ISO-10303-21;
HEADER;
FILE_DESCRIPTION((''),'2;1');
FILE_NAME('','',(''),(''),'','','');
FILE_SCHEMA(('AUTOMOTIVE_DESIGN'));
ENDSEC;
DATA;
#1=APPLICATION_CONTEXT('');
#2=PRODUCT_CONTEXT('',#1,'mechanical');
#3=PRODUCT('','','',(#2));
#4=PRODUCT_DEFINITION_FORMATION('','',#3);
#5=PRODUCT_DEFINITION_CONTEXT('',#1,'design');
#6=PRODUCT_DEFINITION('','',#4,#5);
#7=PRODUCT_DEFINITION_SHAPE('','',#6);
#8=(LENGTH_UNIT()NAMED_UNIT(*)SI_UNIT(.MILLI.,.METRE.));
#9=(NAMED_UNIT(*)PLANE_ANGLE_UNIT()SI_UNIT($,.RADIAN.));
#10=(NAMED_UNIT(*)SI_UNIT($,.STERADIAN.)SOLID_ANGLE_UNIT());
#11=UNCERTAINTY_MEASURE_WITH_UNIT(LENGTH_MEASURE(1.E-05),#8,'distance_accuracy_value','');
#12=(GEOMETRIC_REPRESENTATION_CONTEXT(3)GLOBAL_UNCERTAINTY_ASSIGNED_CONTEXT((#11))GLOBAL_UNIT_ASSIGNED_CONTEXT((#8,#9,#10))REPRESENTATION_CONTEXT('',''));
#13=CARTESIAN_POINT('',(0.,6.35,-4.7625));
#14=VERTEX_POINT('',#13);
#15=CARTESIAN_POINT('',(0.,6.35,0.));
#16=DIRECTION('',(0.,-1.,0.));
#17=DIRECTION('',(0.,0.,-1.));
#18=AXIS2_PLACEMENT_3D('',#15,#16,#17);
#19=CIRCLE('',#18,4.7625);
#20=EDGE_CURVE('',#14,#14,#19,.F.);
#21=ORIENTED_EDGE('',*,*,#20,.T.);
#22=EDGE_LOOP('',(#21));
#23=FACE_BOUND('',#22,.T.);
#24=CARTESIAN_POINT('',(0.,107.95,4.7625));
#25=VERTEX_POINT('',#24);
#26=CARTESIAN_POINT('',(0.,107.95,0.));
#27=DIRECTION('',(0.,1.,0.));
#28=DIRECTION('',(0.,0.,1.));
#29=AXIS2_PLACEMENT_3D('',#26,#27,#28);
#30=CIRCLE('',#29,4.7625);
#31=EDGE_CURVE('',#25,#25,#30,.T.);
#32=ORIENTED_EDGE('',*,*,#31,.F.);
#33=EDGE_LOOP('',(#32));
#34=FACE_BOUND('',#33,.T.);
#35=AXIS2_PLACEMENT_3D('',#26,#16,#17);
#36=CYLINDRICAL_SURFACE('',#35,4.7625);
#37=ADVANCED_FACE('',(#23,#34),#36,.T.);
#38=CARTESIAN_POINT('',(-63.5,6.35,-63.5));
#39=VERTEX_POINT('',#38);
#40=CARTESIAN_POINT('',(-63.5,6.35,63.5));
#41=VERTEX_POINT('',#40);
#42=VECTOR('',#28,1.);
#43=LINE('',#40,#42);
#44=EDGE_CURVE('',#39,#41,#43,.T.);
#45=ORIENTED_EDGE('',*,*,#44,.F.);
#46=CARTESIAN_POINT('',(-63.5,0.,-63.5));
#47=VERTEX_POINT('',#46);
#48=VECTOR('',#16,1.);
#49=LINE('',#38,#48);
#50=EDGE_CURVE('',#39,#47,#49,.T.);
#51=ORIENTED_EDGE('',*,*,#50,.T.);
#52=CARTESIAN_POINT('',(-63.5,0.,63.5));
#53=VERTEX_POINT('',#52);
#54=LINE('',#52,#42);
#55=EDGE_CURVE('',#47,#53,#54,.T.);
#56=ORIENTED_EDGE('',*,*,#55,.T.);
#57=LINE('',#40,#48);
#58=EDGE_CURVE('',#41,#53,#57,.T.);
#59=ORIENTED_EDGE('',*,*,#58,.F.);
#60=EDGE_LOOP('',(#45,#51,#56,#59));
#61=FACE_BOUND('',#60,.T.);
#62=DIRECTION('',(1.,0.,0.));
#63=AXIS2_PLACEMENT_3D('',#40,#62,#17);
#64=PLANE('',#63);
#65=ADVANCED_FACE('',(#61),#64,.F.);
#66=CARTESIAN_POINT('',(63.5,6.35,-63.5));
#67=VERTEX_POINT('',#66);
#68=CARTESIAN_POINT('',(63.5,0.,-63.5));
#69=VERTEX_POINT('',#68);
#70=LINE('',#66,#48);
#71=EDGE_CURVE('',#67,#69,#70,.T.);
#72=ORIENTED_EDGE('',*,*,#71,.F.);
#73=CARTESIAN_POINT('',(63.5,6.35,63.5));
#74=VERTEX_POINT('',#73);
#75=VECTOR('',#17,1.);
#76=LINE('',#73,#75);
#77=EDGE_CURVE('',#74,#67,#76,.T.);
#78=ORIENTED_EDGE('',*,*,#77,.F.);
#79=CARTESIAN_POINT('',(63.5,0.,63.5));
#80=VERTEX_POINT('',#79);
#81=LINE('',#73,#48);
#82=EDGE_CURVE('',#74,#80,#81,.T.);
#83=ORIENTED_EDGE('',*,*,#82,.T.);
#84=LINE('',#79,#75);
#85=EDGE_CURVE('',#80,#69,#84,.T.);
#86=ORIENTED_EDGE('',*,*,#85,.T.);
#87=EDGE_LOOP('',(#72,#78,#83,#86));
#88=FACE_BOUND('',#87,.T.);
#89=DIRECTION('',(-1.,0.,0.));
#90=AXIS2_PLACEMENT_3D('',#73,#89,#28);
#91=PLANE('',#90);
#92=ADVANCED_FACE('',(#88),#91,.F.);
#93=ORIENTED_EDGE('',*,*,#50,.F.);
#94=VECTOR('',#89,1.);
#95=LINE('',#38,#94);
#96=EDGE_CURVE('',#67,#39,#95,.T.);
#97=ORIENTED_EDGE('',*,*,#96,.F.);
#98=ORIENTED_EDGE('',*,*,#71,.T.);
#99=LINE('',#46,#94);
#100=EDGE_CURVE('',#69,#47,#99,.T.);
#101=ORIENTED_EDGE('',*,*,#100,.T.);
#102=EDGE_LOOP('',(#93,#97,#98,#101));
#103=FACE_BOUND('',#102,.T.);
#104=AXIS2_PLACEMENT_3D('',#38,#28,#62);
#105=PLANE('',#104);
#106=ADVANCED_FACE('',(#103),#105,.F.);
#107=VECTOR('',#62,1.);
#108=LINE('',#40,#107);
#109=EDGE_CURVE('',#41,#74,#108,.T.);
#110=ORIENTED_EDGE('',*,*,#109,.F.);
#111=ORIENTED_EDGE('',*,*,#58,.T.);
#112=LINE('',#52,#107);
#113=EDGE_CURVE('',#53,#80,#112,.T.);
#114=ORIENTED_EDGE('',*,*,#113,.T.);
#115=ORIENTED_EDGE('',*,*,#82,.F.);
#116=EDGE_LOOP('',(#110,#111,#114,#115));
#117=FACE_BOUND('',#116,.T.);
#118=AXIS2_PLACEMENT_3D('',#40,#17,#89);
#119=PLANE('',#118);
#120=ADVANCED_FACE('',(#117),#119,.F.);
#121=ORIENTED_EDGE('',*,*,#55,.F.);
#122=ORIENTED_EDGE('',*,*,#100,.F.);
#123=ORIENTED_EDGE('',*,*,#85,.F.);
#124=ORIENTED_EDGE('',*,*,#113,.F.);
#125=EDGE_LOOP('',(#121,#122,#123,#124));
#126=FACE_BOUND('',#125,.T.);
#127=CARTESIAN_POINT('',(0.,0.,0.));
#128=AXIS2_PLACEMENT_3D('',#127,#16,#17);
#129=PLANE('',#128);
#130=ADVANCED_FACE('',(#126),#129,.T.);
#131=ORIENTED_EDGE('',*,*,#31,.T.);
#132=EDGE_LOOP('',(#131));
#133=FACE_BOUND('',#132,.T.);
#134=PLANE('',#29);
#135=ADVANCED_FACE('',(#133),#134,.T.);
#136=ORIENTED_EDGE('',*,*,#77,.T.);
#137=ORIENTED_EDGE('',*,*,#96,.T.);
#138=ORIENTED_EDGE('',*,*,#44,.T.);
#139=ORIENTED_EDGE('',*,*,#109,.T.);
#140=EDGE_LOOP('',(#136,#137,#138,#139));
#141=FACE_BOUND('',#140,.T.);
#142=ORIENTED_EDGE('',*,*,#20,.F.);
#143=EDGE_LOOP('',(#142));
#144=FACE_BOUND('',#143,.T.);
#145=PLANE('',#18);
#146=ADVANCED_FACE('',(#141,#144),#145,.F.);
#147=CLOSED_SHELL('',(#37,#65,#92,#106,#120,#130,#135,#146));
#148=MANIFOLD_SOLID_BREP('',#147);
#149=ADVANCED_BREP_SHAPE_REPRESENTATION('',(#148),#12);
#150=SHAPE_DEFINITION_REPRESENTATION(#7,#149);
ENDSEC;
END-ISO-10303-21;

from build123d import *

# Parameters (mm, degrees)
SKETCH1_W           = 127
SKETCH1_H           = 127
BOSS_EXTRUDE1_DEPTH = 6.35
SKETCH2_R           = 4.7625
BOSS_EXTRUDE2_DEPTH = 101.6


with BuildPart() as part:
    # Sketch1 → Boss-Extrude1 (new body)
    with BuildSketch(Plane(origin=(0, 0, 0), x_dir=(1, 0, 0), z_dir=(0, 1, 0))):
        Rectangle(SKETCH1_W, SKETCH1_H)
    extrude(amount=BOSS_EXTRUDE1_DEPTH)

    # Sketch2 → Boss-Extrude2 (add)
    with BuildSketch(Plane(origin=(0, 6.35, 0), x_dir=(1, 0, 0), z_dir=(0, 1, 0))):
        Circle(SKETCH2_R)
    extrude(amount=BOSS_EXTRUDE2_DEPTH)


solid = part.part
